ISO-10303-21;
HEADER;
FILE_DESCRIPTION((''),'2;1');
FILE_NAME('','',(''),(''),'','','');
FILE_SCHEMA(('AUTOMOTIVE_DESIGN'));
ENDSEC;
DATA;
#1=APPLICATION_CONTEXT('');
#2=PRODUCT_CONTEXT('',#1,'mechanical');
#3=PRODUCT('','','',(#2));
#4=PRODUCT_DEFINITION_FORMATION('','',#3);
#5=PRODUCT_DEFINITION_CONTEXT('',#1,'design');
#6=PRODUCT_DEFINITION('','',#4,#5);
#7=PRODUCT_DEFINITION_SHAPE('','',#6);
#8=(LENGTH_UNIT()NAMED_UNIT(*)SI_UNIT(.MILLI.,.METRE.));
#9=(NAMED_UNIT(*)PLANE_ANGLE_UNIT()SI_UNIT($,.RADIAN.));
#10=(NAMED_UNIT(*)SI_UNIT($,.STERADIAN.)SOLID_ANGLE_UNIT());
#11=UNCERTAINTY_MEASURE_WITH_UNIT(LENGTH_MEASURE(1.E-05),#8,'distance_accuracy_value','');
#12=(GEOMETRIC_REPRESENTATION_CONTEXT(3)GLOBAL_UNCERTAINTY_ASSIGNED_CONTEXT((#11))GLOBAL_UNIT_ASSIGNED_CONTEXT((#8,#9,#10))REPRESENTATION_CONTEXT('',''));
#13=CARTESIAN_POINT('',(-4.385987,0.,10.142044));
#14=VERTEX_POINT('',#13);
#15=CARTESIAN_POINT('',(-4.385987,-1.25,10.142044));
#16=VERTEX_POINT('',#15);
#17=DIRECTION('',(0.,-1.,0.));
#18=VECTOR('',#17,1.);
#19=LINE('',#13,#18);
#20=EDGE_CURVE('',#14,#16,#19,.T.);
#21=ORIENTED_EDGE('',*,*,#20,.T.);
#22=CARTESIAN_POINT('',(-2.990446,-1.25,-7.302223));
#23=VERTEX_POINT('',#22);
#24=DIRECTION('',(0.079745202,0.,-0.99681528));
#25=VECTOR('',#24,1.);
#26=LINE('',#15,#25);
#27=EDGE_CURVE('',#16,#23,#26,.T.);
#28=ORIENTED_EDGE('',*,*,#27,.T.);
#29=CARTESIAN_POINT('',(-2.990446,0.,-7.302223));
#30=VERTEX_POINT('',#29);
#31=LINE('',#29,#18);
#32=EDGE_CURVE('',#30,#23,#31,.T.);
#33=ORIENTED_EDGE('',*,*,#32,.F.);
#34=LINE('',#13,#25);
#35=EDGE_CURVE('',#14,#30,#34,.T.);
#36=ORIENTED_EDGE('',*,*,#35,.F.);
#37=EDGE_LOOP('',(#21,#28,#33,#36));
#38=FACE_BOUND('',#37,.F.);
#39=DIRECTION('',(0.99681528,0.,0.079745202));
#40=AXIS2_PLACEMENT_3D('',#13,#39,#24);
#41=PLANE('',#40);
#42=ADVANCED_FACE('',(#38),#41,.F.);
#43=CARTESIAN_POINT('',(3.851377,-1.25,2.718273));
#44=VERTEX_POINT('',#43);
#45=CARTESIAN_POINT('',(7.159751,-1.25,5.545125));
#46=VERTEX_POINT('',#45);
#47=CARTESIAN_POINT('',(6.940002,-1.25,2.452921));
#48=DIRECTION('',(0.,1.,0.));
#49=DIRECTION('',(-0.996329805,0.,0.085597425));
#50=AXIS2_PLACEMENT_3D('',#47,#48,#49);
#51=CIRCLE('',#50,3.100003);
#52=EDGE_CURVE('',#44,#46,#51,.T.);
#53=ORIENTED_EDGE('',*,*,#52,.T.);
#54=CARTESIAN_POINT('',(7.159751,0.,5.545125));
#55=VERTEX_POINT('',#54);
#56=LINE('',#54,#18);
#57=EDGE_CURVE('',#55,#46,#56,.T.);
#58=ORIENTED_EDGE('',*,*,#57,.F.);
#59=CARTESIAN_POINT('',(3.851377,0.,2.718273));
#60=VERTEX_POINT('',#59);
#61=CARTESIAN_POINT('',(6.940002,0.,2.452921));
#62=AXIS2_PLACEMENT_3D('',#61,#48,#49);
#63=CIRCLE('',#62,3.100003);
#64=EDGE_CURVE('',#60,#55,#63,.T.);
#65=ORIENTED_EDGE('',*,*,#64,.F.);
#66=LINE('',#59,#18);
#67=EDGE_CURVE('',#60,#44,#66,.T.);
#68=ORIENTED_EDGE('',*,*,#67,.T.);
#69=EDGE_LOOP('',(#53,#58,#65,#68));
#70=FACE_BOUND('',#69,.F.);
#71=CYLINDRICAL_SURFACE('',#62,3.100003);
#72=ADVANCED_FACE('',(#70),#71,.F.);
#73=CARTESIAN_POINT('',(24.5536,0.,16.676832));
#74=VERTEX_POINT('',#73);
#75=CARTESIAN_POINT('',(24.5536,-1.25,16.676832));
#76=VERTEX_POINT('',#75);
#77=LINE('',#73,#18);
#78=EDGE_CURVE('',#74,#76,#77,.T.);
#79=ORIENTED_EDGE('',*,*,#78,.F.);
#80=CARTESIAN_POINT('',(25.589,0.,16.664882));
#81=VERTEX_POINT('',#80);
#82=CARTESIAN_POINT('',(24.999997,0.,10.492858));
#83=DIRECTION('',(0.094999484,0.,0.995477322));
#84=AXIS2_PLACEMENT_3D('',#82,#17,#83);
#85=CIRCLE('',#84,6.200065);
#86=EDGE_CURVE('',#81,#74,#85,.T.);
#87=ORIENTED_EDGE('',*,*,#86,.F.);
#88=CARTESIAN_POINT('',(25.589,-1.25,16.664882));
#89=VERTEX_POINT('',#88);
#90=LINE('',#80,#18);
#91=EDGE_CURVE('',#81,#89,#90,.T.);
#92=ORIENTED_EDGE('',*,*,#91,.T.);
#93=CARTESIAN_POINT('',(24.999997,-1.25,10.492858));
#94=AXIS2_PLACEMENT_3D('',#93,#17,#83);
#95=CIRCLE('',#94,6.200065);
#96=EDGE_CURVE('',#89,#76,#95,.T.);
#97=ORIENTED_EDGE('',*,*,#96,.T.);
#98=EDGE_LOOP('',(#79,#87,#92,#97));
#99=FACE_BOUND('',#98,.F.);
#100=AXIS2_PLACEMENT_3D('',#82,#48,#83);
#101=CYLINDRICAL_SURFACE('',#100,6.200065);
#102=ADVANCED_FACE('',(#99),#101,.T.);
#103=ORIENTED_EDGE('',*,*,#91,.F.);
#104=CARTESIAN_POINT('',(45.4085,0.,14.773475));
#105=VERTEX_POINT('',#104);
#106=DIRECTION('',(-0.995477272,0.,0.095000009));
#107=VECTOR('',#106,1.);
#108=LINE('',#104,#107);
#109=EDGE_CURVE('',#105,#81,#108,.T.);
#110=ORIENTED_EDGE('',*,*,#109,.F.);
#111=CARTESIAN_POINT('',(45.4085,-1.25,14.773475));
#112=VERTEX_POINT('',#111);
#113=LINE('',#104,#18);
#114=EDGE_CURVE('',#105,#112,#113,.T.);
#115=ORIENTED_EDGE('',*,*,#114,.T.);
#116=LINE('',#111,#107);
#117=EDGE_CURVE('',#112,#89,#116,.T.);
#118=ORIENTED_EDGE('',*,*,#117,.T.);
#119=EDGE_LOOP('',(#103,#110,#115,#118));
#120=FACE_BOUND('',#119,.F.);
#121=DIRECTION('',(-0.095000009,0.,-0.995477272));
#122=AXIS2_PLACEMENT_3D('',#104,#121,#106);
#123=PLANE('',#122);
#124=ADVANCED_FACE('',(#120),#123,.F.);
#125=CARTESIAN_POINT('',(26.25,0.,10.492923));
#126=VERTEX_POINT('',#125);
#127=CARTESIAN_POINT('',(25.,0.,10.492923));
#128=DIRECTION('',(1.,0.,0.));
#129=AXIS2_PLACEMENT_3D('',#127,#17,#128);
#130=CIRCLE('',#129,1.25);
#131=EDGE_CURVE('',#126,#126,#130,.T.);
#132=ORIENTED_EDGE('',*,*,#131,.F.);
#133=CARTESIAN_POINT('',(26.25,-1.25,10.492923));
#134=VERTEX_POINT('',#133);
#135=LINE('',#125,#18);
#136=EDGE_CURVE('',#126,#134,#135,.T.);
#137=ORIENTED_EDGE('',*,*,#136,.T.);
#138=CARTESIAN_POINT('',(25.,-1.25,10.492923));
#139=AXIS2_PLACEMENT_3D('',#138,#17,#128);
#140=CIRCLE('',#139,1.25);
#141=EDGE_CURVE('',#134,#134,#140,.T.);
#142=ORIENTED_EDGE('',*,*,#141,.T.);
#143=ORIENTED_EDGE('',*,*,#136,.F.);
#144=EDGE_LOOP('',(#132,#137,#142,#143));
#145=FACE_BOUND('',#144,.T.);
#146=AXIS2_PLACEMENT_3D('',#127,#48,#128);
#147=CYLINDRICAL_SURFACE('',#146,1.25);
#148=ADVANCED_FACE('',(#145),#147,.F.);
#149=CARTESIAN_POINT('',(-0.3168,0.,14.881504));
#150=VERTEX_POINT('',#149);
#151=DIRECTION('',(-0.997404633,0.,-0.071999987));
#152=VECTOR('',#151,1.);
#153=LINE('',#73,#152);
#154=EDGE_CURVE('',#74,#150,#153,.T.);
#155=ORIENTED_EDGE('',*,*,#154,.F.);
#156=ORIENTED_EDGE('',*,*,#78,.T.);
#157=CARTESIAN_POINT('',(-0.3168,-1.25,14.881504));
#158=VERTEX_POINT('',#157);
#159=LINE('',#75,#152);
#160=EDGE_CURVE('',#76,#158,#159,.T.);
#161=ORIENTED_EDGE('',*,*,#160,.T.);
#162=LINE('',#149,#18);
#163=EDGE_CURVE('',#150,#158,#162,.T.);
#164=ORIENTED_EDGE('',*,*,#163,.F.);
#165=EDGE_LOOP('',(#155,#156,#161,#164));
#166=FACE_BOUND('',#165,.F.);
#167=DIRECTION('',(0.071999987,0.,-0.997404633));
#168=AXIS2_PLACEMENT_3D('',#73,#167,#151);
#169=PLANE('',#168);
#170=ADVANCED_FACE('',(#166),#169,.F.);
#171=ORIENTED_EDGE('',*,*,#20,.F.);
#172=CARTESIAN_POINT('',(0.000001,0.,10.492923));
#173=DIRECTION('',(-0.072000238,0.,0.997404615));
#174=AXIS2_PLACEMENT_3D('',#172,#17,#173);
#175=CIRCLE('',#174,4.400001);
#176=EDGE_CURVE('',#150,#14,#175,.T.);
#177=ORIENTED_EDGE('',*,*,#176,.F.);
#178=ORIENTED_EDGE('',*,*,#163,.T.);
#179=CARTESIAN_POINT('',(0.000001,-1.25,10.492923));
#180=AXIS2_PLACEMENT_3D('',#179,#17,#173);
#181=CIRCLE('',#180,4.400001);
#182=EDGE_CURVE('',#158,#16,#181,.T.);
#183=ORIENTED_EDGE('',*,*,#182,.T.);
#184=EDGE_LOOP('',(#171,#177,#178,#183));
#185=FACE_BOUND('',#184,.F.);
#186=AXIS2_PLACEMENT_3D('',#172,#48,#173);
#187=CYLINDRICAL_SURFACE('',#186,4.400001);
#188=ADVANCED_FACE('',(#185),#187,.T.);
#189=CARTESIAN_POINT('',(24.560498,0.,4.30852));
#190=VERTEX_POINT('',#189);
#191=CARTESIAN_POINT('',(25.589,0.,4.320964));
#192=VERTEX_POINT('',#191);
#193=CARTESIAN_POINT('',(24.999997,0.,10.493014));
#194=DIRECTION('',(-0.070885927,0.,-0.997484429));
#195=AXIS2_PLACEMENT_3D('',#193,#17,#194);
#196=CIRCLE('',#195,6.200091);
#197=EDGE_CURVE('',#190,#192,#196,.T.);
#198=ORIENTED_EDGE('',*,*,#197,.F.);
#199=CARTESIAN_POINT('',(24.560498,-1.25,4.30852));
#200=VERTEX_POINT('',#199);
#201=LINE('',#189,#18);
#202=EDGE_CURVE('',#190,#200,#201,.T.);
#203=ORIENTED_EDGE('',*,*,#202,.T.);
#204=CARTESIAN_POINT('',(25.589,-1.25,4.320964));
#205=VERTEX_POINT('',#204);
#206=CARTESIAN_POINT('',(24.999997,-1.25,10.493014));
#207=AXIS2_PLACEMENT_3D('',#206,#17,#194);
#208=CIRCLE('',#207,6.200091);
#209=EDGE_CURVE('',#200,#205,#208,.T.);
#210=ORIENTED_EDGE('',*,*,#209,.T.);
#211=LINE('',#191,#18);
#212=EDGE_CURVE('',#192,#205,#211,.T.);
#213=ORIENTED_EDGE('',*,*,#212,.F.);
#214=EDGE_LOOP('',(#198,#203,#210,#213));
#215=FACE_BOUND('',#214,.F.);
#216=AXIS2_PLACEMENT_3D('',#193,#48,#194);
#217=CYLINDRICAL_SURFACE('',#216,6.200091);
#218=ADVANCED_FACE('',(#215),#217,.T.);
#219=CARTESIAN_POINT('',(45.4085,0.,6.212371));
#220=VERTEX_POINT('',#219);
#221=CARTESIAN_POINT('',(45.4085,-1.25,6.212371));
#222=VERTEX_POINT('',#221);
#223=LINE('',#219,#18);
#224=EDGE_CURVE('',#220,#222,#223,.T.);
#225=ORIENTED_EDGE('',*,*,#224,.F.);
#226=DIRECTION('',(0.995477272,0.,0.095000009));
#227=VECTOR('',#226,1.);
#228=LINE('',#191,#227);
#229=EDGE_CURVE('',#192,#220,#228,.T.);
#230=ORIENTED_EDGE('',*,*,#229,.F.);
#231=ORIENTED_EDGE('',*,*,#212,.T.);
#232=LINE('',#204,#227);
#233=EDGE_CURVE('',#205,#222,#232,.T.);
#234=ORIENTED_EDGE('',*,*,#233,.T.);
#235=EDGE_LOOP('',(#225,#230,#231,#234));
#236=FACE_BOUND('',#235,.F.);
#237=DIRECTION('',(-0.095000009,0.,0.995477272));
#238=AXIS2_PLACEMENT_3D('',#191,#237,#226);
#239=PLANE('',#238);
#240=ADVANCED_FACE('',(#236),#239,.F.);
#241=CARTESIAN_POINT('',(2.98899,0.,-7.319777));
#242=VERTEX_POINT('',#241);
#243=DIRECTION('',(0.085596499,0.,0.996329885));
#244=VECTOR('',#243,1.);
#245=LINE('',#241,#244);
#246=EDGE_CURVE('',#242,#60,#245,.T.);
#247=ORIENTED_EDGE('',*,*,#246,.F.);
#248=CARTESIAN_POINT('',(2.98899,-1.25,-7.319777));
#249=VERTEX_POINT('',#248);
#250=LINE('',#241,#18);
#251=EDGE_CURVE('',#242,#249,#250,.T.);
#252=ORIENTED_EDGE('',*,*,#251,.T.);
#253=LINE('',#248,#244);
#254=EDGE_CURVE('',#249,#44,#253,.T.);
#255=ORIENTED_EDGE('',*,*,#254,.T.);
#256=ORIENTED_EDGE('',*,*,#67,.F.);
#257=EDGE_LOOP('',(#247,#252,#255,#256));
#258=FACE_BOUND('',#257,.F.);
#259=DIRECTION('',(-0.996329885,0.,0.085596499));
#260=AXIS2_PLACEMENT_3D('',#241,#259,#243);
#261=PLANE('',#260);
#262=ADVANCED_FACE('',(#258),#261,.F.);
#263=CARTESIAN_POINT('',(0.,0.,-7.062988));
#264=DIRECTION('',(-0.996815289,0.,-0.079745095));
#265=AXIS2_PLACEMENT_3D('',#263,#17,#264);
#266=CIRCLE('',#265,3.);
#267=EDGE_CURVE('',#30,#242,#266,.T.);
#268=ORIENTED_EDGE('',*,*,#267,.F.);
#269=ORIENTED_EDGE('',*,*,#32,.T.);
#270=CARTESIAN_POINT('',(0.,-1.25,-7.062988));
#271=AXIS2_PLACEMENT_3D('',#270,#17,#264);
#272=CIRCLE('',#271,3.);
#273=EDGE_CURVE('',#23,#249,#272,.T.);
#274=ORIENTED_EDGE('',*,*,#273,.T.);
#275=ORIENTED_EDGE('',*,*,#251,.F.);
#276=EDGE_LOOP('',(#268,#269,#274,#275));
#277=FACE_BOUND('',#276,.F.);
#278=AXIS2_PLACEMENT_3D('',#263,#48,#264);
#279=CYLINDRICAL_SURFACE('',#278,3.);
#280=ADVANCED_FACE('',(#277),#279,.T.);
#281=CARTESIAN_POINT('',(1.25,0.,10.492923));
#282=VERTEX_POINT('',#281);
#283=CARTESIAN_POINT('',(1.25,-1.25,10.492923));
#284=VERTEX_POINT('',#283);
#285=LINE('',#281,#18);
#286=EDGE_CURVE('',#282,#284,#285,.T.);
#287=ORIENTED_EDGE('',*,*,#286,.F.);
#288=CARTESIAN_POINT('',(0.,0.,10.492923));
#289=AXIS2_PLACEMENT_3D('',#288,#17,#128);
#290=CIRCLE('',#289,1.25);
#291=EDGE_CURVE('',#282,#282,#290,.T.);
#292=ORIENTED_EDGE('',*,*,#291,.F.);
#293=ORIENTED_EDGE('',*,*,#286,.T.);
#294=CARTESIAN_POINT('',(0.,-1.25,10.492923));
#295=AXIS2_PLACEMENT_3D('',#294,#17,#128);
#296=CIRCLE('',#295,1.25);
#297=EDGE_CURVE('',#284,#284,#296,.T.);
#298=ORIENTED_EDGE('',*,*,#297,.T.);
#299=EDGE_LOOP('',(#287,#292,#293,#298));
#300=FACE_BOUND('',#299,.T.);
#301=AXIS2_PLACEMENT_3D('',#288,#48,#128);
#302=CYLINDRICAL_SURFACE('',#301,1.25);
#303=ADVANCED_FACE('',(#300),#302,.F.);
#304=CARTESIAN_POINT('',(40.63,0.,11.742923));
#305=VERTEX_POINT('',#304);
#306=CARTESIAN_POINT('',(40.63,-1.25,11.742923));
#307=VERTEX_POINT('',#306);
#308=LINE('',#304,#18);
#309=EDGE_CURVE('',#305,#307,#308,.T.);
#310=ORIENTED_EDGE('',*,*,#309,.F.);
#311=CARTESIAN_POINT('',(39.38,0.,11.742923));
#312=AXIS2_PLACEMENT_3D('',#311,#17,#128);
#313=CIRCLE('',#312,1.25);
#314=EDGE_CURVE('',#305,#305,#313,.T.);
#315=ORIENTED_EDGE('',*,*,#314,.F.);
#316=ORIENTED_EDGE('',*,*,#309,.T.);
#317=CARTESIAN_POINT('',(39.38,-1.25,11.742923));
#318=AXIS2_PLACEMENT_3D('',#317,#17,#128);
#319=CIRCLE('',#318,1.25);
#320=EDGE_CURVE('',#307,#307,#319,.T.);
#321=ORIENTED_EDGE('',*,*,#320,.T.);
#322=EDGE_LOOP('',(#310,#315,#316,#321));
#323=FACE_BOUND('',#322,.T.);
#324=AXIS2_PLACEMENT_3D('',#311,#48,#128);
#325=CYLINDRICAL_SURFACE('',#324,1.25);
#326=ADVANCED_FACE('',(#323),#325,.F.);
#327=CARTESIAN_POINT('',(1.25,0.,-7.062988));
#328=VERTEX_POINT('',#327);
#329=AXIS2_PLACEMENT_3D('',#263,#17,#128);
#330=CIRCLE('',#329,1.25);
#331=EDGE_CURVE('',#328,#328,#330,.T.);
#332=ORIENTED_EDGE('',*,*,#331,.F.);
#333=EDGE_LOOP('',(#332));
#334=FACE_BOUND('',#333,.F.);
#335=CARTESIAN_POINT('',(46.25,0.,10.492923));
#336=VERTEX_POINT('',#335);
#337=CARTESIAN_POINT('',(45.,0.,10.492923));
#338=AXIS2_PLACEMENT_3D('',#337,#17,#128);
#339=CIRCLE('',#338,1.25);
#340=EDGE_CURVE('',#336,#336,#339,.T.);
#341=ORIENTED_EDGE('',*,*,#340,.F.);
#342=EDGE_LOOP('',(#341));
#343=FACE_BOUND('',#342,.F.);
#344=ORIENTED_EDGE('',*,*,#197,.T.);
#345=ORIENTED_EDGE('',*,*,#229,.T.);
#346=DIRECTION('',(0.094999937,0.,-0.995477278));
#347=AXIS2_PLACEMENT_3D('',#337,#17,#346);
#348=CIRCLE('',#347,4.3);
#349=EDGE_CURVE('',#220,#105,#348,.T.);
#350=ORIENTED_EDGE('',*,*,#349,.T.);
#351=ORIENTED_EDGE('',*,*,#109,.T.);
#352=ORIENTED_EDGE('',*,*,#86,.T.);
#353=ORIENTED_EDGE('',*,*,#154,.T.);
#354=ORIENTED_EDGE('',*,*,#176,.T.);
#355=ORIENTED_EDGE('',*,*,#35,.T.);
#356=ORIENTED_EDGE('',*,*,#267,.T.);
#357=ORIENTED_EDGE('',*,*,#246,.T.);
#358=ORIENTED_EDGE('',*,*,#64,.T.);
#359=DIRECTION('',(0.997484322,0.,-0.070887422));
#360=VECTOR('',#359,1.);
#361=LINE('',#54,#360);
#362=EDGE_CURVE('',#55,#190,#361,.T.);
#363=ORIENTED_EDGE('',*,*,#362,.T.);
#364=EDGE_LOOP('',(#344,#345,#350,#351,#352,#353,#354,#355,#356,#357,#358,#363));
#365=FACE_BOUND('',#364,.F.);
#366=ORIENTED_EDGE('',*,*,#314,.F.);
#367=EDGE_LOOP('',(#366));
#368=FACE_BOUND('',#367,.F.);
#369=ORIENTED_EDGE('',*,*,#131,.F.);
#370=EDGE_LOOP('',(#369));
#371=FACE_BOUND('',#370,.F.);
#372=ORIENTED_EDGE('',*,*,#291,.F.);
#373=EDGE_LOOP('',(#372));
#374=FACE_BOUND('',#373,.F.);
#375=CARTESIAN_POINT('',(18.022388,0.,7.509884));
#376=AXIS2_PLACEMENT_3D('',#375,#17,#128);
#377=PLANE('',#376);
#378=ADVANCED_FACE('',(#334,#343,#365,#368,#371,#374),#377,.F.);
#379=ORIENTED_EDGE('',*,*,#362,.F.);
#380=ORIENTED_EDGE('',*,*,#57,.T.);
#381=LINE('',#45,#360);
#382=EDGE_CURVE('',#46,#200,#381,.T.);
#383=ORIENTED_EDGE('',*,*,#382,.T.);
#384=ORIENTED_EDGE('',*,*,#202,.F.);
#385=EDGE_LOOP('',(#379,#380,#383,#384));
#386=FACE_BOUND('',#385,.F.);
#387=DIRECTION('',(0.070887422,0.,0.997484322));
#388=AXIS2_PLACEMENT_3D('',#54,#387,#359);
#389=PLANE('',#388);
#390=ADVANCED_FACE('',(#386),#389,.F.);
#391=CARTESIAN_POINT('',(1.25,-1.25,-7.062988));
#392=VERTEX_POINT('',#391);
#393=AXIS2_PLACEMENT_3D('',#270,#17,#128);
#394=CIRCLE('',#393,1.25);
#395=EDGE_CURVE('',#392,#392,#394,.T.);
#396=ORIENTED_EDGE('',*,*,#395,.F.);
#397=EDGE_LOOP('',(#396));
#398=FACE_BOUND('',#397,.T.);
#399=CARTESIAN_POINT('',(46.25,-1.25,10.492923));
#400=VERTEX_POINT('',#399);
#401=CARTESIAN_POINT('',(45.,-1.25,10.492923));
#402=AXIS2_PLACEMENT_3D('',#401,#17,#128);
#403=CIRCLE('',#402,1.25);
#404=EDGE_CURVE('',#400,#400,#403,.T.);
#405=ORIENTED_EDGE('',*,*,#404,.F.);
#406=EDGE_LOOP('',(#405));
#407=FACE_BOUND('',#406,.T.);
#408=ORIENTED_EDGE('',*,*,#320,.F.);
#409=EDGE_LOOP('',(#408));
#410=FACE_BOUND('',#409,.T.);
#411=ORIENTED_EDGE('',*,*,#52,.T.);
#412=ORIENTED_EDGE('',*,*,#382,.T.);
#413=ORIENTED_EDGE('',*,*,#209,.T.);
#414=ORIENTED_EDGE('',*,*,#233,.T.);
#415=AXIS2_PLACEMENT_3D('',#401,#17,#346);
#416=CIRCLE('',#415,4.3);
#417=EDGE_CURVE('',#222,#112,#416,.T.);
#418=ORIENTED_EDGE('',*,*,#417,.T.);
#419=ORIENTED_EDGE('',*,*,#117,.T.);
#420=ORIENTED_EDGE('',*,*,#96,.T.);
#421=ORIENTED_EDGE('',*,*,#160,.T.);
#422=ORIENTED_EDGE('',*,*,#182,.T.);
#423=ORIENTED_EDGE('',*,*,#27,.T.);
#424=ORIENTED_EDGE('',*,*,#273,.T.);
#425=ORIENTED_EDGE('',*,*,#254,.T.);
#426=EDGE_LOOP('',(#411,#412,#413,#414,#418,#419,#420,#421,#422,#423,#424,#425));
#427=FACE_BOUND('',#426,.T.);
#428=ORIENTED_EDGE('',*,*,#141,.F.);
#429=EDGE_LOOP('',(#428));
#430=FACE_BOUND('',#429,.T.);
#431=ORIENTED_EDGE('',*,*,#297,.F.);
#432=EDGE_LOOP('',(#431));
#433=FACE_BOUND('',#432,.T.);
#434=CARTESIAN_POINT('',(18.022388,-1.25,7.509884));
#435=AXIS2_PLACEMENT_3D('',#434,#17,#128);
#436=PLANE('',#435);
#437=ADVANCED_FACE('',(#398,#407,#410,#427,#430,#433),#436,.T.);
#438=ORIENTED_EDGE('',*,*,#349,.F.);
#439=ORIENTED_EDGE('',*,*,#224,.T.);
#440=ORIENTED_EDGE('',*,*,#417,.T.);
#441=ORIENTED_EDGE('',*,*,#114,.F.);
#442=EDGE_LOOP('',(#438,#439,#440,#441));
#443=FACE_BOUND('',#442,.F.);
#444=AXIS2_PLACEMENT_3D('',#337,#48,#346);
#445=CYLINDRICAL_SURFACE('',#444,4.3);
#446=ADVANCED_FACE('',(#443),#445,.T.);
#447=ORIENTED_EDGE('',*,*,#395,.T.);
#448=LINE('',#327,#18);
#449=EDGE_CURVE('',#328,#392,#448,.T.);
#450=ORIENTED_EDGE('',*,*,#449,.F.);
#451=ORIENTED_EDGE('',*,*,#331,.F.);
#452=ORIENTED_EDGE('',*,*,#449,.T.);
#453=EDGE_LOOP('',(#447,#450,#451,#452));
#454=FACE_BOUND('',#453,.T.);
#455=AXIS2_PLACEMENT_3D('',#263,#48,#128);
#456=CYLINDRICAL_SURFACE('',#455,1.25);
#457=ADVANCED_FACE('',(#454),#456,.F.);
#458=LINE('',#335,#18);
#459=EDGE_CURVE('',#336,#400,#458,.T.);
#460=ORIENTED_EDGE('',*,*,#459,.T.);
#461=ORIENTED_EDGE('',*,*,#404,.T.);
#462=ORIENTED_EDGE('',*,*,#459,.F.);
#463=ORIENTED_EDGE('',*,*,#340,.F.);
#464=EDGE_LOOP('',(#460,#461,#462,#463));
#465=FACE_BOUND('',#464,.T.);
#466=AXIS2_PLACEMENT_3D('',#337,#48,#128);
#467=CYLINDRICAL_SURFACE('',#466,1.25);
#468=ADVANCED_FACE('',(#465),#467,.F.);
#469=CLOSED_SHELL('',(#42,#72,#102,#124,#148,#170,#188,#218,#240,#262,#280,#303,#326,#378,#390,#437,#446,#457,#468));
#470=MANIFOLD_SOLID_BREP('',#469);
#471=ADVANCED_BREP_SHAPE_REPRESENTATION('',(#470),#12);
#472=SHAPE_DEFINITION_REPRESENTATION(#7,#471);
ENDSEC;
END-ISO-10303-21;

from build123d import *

# Parameters (mm, degrees)
F0_R     = 1.25
F1_DEPTH = 1.25


with BuildPart() as f1:
    # F0 (on Front) → F1 (new body)
    with BuildSketch(Plane.XZ):
        with BuildLine():
            Line((24.5536, 16.676832), (-0.3168, 14.881504))
            ThreePointArc((-0.3168, 14.881504), (-3.338363, 13.359163), (-4.385987, 10.142044))
            Line((-4.385987, 10.142044), (-2.990446, -7.302223))
            ThreePointArc((-2.990446, -7.302223), (-0.008807, -10.062975), (2.98899, -7.319777))
            Line((2.98899, -7.319777), (3.851377, 2.718273))
            ThreePointArc((3.851377, 2.718273), (4.926203, 4.809747), (7.159751, 5.545125))
            Line((7.159751, 5.545125), (24.560498, 4.30852))
            ThreePointArc((24.560498, 4.30852), (25.075008, 4.293377), (25.589, 4.320964))
            Line((25.589, 4.320964), (45.4085, 6.212371))
            ThreePointArc((45.4085, 6.212371), (49.3, 10.492923), (45.4085, 14.773475))
            Line((45.4085, 14.773475), (25.589, 16.664882))
            ThreePointArc((25.589, 16.664882), (25.07155, 16.69251), (24.5536, 16.676832))
        make_face()
        with Locations((0, -7.062988)):
            Circle(F0_R, mode=Mode.SUBTRACT)
        with Locations((0, 10.492923)):
            Circle(F0_R, mode=Mode.SUBTRACT)
        with Locations((25, 10.492923)):
            Circle(F0_R, mode=Mode.SUBTRACT)
        with Locations((39.38, 11.742923)):
            Circle(F0_R, mode=Mode.SUBTRACT)
        with Locations((45, 10.492923)):
            Circle(F0_R, mode=Mode.SUBTRACT)
    extrude(amount=F1_DEPTH)


solid = f1.part
